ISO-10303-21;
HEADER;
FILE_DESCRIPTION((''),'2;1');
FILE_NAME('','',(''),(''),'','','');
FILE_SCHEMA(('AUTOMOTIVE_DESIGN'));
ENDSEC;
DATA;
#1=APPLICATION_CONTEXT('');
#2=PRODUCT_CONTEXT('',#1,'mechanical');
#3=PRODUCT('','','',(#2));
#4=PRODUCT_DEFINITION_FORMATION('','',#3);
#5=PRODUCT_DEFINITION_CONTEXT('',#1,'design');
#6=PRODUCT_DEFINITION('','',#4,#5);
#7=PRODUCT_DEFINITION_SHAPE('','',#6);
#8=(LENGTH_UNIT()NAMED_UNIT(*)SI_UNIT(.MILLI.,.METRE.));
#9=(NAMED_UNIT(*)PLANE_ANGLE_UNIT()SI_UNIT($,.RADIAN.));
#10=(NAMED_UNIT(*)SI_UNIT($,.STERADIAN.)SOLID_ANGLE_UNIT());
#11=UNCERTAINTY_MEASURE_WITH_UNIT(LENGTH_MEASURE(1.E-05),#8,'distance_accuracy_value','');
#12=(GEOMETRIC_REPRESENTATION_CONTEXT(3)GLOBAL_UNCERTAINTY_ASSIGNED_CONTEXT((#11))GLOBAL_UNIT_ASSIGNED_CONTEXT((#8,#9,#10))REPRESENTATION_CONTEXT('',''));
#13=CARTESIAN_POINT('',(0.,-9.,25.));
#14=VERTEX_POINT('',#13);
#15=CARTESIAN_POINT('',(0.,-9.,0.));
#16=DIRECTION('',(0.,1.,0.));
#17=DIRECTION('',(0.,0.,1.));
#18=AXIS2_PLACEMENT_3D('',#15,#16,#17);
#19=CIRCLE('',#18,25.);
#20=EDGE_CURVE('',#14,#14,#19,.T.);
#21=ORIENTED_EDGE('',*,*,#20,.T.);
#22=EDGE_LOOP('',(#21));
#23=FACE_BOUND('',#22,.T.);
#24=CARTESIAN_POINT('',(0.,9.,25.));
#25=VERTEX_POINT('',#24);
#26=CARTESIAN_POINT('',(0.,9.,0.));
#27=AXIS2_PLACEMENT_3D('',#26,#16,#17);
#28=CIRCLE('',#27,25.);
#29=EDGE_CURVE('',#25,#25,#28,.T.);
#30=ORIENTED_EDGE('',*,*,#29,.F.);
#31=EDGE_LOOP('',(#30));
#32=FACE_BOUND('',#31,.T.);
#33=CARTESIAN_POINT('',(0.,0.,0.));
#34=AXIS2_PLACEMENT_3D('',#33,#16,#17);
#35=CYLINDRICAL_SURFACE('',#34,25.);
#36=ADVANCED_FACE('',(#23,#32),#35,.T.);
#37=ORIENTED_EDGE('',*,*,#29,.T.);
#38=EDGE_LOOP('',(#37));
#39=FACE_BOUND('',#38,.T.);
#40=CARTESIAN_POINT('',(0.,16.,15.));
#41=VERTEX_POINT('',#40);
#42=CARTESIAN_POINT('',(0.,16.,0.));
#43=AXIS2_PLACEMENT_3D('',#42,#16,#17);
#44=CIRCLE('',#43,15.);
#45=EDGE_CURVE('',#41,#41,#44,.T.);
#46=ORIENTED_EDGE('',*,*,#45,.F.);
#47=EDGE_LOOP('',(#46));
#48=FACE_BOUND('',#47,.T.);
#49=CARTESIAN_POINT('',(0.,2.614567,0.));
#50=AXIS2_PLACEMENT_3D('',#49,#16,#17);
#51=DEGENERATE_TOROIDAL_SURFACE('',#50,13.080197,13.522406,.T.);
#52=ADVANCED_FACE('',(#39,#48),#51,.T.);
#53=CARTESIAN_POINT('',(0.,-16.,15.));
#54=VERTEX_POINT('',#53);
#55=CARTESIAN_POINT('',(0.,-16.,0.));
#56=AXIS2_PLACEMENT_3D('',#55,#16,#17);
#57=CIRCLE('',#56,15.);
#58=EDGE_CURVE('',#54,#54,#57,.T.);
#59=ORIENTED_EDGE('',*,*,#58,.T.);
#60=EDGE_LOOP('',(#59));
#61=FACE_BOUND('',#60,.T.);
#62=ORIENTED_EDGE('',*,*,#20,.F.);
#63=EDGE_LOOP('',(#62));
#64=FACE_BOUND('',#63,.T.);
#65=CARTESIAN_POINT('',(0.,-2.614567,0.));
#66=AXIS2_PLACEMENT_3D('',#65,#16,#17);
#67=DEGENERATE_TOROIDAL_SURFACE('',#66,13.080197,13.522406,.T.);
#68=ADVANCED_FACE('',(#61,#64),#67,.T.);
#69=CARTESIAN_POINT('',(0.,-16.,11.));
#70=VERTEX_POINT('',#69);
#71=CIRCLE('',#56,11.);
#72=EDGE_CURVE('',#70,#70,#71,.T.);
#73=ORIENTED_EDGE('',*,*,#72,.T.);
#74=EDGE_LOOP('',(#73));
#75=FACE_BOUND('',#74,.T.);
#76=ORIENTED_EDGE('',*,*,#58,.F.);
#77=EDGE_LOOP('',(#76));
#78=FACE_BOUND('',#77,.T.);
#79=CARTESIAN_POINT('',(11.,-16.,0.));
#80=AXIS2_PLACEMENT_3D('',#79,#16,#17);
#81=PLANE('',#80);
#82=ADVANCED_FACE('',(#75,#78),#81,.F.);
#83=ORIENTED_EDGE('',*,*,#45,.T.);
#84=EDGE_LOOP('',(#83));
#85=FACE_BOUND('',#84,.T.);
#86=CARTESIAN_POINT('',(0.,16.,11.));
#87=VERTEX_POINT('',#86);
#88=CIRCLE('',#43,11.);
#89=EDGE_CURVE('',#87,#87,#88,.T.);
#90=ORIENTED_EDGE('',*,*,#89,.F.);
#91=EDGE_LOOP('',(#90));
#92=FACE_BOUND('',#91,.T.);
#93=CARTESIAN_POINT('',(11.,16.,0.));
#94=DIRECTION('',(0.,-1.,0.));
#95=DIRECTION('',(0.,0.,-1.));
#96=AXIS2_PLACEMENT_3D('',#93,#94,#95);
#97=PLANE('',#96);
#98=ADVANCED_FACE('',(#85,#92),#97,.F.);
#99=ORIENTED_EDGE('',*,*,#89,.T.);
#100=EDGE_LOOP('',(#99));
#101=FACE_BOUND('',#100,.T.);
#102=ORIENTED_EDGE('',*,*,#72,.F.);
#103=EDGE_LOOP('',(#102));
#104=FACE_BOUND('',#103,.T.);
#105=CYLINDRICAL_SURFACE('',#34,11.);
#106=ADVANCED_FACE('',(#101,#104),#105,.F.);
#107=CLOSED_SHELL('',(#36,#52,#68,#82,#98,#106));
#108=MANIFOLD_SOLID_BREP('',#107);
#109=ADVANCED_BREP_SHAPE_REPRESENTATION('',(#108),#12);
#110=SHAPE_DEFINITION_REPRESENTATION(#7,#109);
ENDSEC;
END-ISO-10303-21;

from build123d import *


with BuildPart() as part:
    # Sketch2 → Revolve1 (revolve)
    with BuildSketch(Plane.XY):
        with BuildLine():
            Line((11, 16), (11, -16))
            Line((11, -16), (15, -16))
            ThreePointArc((15, -16), (20.834787443, -13.69255349), (25, -9))
            Line((25, -9), (25, 9))
            ThreePointArc((25, 9), (20.834787443, 13.69255349), (15, 16))
            Line((15, 16), (11, 16))
        make_face()
    revolve(axis=Axis((0, 0, 0), (0, -1, 0)))


solid = part.part
